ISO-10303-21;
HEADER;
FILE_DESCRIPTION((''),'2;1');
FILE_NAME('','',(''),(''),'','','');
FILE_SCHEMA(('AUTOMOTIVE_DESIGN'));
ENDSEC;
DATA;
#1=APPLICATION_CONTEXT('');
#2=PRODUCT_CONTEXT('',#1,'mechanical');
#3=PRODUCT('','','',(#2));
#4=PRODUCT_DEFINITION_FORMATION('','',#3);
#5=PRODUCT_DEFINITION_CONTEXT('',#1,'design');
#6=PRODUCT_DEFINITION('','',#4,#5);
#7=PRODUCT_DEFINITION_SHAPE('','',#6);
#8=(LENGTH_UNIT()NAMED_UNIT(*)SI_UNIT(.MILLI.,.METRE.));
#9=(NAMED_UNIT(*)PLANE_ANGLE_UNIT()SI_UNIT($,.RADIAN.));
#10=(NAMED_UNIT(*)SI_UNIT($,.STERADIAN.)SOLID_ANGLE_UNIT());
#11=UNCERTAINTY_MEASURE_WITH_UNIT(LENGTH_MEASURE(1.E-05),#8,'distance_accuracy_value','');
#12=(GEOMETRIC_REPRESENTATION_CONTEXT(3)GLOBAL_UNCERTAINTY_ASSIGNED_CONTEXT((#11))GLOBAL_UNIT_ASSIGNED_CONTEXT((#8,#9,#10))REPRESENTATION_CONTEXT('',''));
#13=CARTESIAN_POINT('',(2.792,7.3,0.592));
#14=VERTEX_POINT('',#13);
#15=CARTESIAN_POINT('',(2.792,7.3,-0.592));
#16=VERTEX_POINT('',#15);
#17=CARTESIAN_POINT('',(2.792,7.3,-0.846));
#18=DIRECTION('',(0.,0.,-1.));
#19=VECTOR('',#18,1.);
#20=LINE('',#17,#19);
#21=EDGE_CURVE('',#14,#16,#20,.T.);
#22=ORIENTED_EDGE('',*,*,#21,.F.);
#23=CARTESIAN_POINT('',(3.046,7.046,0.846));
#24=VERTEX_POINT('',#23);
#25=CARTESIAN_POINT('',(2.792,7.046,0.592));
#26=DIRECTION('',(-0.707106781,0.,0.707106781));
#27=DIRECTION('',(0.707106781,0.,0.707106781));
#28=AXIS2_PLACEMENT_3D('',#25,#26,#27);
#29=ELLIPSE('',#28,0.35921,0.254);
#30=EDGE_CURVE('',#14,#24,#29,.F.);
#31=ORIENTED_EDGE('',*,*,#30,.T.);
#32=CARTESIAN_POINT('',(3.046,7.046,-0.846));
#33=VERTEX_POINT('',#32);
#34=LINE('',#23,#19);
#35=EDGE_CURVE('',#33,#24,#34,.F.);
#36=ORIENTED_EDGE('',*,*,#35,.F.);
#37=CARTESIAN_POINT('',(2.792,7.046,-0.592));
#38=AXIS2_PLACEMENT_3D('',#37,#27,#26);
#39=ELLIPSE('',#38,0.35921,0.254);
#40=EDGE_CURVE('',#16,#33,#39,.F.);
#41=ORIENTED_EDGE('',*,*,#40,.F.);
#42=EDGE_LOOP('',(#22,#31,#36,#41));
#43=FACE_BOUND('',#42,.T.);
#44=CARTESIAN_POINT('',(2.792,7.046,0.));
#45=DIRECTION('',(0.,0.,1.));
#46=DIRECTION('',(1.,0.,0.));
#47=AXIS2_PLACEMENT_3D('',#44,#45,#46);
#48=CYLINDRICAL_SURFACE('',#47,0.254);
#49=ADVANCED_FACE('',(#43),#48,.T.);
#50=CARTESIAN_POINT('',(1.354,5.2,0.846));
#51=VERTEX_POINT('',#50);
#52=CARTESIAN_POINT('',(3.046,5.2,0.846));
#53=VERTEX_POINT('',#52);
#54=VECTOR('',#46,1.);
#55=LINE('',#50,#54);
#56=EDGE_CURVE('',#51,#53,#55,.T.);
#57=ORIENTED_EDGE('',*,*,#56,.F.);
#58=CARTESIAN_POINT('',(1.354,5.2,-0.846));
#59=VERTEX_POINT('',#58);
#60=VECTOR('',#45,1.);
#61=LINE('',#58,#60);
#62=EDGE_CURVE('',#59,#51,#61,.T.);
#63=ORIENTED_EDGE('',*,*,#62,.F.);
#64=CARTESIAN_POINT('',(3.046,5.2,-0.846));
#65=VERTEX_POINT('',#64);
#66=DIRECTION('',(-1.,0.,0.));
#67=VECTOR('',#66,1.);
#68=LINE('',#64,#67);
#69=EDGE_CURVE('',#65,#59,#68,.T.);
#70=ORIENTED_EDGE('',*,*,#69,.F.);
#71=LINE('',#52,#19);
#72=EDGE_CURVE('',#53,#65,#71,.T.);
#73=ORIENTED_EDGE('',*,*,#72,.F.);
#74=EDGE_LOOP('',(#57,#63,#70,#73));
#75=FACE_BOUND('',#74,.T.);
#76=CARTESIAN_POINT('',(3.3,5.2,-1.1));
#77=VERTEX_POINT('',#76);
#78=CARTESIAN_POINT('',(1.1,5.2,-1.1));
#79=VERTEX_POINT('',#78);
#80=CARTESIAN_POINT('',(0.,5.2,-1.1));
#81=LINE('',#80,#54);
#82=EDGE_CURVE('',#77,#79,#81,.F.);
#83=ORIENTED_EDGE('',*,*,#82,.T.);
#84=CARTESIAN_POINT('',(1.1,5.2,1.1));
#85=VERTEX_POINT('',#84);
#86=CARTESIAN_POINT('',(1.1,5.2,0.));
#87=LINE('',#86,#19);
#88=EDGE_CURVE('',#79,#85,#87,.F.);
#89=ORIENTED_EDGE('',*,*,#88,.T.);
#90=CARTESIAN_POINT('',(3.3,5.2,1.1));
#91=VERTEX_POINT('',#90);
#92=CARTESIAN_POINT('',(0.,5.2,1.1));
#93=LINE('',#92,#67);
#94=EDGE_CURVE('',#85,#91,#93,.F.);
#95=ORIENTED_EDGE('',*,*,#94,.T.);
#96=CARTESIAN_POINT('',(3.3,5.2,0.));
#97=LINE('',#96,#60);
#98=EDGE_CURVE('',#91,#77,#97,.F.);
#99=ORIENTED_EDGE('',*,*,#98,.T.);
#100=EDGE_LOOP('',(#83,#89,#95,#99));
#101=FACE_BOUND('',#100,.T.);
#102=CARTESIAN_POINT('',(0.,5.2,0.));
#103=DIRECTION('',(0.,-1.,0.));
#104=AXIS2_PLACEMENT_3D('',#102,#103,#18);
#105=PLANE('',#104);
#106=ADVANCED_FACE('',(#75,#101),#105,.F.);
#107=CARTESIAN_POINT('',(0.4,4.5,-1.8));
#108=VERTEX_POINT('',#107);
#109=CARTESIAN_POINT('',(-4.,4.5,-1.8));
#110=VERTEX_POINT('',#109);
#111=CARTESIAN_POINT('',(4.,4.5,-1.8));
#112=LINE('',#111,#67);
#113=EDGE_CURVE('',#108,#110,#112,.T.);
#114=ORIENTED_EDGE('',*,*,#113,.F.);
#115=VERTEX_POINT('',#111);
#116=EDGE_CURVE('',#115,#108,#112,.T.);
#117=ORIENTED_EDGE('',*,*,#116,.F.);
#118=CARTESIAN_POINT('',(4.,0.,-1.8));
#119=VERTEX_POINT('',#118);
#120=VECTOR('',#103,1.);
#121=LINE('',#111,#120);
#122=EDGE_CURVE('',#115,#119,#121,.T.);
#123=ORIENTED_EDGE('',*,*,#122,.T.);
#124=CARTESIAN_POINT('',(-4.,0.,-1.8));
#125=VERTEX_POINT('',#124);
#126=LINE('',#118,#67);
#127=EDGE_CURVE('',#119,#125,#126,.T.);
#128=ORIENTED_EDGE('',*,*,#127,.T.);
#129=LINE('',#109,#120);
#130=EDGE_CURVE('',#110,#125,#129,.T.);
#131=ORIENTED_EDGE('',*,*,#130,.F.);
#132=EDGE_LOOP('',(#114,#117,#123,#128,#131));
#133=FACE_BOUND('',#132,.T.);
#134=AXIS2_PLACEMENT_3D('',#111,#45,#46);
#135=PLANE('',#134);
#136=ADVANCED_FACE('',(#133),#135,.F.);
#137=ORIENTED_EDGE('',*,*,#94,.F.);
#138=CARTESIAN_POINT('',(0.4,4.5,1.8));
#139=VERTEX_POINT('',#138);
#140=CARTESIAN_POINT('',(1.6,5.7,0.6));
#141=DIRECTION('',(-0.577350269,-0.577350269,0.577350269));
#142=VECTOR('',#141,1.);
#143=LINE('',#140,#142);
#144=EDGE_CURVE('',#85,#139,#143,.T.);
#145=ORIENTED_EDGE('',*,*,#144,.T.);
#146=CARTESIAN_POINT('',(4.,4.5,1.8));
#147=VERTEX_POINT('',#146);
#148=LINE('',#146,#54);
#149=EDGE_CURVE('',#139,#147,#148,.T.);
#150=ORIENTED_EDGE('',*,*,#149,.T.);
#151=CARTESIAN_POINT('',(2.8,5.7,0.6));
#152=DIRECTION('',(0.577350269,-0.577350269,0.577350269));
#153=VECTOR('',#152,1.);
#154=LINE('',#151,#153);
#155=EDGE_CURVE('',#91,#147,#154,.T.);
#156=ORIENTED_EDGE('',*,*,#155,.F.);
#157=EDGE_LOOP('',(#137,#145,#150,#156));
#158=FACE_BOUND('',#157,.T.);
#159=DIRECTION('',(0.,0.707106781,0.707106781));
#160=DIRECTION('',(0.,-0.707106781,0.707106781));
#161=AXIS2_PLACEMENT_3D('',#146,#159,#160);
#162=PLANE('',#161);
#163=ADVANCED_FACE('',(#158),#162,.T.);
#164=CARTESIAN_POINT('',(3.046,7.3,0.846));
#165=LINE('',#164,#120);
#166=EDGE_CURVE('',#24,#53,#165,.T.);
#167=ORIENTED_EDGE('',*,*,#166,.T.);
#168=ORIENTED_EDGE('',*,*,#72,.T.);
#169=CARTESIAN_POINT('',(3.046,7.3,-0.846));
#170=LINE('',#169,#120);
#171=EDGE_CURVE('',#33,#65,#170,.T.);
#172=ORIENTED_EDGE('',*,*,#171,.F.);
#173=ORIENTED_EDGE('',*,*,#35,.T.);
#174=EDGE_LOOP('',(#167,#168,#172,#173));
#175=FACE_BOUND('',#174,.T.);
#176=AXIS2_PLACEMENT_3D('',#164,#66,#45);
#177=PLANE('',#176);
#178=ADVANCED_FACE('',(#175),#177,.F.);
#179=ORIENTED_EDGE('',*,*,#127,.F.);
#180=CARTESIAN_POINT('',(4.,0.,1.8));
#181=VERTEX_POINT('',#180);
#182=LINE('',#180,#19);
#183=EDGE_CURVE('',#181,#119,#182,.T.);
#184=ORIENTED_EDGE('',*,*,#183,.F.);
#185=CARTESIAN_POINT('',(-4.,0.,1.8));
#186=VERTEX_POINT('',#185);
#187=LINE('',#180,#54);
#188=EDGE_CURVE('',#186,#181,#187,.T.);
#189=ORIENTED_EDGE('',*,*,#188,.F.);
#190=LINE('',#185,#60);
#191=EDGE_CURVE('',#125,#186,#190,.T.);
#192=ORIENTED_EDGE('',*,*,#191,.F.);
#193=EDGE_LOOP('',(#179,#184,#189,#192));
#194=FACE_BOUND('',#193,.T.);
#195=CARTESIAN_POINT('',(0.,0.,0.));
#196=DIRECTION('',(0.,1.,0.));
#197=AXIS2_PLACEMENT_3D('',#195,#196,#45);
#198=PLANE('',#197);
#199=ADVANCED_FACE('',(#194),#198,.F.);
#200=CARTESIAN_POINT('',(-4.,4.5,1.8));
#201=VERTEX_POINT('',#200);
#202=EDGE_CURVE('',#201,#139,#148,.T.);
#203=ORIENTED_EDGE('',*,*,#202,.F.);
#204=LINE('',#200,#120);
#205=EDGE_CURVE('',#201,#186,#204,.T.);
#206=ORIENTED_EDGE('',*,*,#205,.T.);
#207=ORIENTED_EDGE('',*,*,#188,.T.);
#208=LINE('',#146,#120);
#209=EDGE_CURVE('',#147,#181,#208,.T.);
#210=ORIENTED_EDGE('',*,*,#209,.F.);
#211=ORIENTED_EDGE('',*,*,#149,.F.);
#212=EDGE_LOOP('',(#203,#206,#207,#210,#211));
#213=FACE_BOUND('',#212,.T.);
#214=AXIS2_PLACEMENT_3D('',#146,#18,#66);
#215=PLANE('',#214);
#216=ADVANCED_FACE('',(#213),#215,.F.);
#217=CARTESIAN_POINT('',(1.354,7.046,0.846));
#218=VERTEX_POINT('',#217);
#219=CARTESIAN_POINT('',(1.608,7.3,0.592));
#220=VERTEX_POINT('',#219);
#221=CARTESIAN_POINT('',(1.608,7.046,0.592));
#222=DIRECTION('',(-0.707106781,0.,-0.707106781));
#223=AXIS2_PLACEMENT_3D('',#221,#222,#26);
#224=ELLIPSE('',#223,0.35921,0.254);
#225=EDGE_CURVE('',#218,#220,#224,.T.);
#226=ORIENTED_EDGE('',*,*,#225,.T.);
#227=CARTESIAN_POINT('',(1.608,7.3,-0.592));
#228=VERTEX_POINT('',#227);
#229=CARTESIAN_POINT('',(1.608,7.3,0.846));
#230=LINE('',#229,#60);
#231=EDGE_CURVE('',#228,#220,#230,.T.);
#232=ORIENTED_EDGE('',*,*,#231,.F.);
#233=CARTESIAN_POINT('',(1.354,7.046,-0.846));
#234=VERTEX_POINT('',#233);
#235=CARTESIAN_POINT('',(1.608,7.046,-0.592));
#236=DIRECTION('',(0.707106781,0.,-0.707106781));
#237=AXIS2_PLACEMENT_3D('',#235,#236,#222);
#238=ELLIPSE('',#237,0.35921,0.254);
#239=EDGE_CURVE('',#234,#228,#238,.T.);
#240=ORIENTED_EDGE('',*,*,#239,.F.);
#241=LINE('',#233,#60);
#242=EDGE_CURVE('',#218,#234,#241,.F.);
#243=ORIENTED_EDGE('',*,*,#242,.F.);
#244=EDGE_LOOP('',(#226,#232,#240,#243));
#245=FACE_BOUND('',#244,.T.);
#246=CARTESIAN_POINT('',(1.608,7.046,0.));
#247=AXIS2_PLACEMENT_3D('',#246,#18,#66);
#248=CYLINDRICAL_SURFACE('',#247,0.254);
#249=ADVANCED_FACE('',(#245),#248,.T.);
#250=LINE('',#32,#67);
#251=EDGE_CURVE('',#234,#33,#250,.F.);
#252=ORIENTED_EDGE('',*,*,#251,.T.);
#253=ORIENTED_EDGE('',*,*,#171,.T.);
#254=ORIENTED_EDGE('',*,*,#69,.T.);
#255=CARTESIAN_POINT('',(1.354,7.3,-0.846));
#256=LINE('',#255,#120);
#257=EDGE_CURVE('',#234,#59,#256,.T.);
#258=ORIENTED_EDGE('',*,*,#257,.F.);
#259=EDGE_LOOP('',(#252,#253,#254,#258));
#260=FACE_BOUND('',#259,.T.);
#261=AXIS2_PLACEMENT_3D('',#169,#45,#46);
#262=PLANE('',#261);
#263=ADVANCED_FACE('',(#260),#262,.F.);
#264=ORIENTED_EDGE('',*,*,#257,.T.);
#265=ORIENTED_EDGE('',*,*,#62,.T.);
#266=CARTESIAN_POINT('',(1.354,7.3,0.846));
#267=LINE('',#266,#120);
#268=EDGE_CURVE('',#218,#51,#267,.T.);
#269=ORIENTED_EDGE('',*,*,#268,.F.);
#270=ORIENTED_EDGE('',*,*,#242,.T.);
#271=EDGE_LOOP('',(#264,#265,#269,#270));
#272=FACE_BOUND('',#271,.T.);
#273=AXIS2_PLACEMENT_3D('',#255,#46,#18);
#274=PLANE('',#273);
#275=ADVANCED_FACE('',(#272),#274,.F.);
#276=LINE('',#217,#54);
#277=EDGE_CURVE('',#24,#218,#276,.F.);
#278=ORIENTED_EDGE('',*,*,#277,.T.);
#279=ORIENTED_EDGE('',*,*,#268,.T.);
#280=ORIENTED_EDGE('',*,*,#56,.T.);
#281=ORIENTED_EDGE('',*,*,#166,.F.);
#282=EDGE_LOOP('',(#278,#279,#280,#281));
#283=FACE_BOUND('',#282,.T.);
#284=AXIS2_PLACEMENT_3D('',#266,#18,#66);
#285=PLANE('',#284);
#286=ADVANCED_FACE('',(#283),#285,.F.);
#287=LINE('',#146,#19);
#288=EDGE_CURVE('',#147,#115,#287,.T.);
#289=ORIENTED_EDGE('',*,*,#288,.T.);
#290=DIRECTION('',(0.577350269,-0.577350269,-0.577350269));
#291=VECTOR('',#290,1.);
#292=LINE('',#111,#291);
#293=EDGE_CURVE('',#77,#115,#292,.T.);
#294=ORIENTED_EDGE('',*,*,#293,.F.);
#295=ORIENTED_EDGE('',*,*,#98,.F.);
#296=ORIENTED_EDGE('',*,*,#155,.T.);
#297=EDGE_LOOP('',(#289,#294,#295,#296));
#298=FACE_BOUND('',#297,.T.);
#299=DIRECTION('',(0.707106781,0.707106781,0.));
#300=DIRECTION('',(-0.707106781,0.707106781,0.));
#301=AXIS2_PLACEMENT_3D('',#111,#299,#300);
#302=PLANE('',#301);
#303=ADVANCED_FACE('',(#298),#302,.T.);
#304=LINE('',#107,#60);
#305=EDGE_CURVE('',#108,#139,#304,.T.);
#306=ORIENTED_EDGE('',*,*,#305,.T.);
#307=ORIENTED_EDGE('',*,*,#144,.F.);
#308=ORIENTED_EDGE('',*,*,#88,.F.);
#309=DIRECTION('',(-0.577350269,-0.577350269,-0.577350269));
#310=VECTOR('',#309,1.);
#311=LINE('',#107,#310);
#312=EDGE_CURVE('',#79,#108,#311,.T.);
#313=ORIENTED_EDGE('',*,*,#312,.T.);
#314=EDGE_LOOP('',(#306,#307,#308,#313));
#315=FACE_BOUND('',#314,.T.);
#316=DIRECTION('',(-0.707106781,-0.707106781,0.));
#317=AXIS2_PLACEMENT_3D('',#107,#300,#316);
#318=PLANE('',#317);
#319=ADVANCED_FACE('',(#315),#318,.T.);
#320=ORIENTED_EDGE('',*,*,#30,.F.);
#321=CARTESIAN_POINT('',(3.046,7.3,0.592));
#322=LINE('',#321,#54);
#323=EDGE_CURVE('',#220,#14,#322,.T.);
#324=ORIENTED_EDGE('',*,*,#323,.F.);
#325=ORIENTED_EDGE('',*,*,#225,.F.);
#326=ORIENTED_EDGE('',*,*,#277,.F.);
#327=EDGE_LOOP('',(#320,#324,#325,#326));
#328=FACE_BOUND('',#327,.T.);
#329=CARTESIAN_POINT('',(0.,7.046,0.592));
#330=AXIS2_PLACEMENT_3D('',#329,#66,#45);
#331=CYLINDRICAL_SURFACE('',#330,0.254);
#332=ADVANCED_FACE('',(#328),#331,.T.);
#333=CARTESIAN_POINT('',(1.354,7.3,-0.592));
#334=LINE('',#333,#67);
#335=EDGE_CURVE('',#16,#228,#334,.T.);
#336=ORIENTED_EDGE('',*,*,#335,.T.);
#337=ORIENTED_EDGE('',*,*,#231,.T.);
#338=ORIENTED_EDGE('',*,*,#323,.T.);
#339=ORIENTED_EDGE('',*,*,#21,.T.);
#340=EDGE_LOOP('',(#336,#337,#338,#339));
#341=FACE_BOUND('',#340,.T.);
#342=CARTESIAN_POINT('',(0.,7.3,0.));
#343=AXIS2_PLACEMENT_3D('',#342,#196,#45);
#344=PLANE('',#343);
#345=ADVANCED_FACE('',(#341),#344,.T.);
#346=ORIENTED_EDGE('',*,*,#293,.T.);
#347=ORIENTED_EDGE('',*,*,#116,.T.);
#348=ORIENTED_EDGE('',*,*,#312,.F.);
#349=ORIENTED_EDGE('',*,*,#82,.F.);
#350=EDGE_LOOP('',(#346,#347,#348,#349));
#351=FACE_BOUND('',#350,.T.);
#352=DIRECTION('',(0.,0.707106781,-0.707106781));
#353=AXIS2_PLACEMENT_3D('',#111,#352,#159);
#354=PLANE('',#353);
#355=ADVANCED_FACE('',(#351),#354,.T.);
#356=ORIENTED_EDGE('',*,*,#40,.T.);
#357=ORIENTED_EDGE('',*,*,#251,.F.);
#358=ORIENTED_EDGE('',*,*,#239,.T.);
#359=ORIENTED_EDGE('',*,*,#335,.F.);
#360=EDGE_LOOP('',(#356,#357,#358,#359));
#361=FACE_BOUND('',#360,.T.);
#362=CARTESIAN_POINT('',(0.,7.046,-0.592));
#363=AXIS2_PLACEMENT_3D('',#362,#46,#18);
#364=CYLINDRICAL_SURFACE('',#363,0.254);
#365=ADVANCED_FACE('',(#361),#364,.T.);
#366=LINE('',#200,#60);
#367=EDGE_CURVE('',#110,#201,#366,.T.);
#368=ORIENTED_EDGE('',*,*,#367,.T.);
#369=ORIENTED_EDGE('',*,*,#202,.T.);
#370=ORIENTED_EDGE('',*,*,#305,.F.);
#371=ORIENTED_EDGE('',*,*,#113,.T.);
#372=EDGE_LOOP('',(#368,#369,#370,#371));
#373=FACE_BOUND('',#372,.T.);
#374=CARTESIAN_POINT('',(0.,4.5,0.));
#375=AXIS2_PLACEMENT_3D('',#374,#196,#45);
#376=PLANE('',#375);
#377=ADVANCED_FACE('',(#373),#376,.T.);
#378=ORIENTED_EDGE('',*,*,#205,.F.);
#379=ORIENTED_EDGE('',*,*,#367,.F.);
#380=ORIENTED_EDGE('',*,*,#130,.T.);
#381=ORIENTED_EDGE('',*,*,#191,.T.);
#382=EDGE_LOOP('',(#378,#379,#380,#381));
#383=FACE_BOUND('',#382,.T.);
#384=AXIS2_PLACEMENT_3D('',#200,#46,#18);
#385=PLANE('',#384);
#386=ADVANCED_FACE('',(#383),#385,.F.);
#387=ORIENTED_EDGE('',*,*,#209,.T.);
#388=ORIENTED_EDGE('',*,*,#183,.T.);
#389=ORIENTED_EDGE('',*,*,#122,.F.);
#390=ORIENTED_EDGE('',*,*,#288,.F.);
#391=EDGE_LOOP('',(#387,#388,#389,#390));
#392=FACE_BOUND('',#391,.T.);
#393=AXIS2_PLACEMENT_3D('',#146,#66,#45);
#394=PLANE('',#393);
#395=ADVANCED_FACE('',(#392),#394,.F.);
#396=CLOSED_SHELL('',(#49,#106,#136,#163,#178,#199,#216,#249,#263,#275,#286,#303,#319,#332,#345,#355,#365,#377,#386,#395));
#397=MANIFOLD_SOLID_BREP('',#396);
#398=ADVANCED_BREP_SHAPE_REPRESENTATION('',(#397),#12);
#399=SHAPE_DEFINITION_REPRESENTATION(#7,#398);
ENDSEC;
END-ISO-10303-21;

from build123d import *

# Parameters (mm, degrees)
SKETCH1_W           = 8
SKETCH1_H           = 3.6
BOSS_EXTRUDE1_DEPTH = 4.5
SKETCH2_W           = 3.6
SKETCH2_H           = 3.6
BOSS_EXTRUDE2_DEPTH = 0.7
BOSS_EXTRUDE2_TAPER = 45
SKETCH3_W           = 1.692
SKETCH3_H           = 1.692
BOSS_EXTRUDE3_DEPTH = 2.1
FILLET1_R           = 0.254


with BuildPart() as part:
    # Sketch1 → Boss-Extrude1 (new body)
    with BuildSketch(Plane(origin=(0, 0, 0), x_dir=(1, 0, 0), z_dir=(0, 1, 0))):
        Rectangle(SKETCH1_W, SKETCH1_H)
    extrude(amount=BOSS_EXTRUDE1_DEPTH)

    # Sketch2 → Boss-Extrude2 (add)
    with BuildSketch(Plane(origin=(0, 4.5, 0), x_dir=(1, 0, 0), z_dir=(0, 1, 0))):
        with Locations((2.2, 0)):
            Rectangle(SKETCH2_W, SKETCH2_H)
    extrude(amount=BOSS_EXTRUDE2_DEPTH, taper=BOSS_EXTRUDE2_TAPER)

    # Sketch3 → Boss-Extrude3 (add)
    with BuildSketch(Plane(origin=(0, 5.2, 0), x_dir=(1, 0, 0), z_dir=(0, 1, 0))):
        with Locations((2.2, 0)):
            Rectangle(SKETCH3_W, SKETCH3_H)
    extrude(amount=BOSS_EXTRUDE3_DEPTH)

    # Fillet1
    fillet1_edges = [part.edges().sort_by_distance(p)[0] for p in [
        (2.2, 7.3, 0.846),
        (3.046, 7.3, 0),
        (2.2, 7.3, -0.846),
        (1.354, 7.3, 0),
    ]]
    fillet(fillet1_edges, radius=FILLET1_R)


solid = part.part
